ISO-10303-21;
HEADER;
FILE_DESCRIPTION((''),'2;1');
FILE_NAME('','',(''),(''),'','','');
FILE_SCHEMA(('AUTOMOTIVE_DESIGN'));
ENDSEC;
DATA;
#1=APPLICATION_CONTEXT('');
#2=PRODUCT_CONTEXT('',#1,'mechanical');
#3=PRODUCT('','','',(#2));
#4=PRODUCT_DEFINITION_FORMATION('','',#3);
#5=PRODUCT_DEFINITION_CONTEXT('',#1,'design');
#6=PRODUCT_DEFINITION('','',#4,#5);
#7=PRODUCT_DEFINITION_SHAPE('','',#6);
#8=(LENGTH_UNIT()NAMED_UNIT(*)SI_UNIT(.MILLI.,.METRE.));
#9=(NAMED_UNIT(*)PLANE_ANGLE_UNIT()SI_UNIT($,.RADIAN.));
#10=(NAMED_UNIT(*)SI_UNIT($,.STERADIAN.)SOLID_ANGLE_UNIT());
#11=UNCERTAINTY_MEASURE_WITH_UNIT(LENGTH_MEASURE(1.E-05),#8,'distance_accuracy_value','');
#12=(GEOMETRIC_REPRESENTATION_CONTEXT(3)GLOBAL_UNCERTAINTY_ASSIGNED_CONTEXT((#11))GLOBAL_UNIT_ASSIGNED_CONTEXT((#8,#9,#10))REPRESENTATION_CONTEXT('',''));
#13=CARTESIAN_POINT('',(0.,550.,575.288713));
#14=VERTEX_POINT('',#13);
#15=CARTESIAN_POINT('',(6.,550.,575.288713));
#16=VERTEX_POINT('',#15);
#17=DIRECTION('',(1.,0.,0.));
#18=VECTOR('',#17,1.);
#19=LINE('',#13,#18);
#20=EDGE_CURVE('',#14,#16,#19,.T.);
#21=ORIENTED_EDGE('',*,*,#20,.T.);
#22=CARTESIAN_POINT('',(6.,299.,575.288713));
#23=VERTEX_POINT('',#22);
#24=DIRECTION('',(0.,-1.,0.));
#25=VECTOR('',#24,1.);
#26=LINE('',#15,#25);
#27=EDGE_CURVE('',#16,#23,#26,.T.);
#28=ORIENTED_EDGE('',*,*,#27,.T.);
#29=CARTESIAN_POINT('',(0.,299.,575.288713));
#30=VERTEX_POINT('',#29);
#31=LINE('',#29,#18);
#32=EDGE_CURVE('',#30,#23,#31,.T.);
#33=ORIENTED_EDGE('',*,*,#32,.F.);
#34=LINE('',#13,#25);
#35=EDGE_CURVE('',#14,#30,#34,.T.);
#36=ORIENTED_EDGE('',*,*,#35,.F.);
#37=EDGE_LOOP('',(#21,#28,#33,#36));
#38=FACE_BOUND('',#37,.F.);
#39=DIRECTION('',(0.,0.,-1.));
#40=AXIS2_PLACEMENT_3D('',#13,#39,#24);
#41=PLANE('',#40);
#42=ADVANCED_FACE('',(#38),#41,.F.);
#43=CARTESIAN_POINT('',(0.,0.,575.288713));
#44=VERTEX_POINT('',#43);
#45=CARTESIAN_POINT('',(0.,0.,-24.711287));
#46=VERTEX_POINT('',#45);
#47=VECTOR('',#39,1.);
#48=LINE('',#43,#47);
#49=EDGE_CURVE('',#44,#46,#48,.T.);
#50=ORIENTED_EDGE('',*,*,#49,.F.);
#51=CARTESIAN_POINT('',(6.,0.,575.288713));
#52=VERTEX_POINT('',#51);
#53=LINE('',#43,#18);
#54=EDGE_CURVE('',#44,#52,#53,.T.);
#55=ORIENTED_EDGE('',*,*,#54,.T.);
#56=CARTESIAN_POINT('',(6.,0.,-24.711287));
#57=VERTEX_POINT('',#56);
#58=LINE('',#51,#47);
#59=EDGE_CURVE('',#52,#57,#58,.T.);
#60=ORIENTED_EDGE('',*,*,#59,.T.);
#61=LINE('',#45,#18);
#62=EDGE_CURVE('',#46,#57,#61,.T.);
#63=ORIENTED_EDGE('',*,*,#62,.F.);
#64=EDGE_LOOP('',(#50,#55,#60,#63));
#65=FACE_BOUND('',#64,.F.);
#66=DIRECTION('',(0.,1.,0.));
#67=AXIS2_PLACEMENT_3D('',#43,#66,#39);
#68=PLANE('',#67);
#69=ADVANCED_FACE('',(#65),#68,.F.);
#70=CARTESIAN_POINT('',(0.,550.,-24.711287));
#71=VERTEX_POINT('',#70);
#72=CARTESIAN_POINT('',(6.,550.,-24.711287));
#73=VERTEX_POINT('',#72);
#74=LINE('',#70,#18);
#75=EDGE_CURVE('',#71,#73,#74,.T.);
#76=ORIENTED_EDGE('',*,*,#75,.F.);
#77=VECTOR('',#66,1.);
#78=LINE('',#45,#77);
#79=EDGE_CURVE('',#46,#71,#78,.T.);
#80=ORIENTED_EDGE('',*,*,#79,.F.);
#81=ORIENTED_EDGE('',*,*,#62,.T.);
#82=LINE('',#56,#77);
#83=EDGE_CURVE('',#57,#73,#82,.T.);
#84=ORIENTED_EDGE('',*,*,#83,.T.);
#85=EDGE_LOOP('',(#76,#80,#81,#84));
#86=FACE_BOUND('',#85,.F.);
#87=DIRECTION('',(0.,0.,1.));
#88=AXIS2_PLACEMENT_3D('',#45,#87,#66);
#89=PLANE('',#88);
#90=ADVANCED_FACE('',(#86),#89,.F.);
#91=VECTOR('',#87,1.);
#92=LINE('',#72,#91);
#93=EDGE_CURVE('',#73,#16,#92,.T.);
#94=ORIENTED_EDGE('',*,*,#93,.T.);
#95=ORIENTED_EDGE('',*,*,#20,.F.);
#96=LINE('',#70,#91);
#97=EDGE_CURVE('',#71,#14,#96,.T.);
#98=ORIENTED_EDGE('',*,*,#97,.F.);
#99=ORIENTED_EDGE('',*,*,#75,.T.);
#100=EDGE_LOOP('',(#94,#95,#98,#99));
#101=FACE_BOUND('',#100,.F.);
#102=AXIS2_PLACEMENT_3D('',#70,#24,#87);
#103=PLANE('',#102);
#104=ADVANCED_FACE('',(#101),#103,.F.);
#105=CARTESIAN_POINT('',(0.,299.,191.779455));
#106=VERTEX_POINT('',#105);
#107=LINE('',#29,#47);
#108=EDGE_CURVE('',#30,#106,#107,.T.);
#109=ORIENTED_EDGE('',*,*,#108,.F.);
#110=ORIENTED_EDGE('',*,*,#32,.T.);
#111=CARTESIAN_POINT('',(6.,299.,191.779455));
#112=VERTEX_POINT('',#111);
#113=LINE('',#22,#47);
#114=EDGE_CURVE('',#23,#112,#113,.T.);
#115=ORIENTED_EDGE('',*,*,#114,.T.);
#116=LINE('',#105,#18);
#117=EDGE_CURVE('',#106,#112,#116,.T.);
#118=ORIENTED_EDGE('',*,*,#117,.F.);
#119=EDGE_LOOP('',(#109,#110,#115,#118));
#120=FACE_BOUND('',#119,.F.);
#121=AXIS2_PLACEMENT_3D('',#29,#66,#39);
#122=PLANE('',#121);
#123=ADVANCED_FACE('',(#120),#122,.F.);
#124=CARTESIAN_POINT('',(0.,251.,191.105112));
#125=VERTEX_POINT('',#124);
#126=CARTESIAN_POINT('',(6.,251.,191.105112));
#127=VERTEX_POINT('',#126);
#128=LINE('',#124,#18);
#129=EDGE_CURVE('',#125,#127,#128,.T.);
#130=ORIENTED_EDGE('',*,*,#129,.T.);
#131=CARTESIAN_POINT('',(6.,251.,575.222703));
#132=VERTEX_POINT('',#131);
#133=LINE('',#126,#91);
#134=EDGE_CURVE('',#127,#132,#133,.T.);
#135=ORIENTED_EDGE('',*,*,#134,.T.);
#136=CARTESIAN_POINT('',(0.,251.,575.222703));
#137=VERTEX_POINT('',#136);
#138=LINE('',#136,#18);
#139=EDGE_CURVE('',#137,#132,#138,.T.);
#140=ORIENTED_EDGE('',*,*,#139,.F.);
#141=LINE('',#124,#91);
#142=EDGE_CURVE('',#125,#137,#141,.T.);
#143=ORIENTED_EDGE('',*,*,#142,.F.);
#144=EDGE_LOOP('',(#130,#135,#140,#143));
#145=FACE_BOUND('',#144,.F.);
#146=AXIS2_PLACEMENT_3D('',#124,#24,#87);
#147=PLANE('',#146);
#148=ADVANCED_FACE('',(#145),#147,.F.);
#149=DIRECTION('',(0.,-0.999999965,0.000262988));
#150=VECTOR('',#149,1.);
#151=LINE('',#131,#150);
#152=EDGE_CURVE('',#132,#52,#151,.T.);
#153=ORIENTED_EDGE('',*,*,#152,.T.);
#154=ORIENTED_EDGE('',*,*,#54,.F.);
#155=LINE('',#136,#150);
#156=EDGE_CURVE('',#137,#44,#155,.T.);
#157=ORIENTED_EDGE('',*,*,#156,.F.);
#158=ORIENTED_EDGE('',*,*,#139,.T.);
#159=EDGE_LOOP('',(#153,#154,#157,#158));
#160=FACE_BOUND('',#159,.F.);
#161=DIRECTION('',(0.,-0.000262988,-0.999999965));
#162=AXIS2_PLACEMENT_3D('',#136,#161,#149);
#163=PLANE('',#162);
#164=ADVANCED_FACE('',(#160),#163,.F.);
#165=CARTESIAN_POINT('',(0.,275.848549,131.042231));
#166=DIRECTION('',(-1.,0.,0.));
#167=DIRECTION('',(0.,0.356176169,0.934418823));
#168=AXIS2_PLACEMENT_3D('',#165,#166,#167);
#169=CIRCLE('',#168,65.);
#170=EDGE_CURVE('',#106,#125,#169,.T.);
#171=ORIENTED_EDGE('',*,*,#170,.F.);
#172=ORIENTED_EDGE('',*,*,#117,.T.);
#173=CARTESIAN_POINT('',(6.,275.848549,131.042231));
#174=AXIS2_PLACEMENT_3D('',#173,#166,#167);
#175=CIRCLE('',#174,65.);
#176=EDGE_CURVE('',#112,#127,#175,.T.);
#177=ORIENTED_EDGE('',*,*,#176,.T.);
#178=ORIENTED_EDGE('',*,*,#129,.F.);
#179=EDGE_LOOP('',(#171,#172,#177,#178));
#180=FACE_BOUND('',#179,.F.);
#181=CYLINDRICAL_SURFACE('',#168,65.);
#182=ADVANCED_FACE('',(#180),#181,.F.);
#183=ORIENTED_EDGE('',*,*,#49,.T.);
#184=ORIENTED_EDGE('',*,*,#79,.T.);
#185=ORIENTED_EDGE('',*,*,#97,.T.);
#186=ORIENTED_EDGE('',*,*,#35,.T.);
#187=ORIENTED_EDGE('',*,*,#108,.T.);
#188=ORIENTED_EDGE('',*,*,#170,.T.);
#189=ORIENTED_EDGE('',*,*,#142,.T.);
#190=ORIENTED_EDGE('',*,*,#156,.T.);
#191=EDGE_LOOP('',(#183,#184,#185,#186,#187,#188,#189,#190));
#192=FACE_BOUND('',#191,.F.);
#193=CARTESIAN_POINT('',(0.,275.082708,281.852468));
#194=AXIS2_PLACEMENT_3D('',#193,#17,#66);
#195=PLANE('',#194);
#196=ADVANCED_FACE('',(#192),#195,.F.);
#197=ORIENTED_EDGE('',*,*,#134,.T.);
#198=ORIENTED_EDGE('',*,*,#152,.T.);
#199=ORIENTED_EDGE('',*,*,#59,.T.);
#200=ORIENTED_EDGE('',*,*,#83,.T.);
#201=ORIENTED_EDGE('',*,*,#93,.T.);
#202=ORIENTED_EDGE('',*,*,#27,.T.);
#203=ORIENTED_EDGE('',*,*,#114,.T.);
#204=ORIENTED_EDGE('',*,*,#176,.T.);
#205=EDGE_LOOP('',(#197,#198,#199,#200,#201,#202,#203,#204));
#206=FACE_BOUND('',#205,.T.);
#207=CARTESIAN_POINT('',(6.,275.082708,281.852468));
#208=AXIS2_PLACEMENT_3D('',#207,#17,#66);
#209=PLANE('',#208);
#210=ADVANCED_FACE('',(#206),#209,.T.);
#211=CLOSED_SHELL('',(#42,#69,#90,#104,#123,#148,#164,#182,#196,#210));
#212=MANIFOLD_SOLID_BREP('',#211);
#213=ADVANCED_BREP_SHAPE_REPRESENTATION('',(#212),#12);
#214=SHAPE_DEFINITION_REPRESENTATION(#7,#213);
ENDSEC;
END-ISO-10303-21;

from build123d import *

# Parameters (mm, degrees)
F1_DEPTH = 6


with BuildPart() as f1:
    # F0 (on Right) → F1 (new body)
    with BuildSketch(Plane.YZ):
        with BuildLine():
            Line((0, 575.288713), (0, -24.711287))
            Line((0, -24.711287), (550, -24.711287))
            Line((550, -24.711287), (550, 575.288713))
            Line((550, 575.288713), (299, 575.288713))
            Line((299, 575.288713), (299, 191.779455))
            ThreePointArc((299, 191.779455), (276.761631, 66.048645), (251, 191.105112))
            Line((251, 191.105112), (251, 575.222703))
            Line((251, 575.222703), (0, 575.288713))
        make_face()
    extrude(amount=F1_DEPTH)


solid = f1.part
